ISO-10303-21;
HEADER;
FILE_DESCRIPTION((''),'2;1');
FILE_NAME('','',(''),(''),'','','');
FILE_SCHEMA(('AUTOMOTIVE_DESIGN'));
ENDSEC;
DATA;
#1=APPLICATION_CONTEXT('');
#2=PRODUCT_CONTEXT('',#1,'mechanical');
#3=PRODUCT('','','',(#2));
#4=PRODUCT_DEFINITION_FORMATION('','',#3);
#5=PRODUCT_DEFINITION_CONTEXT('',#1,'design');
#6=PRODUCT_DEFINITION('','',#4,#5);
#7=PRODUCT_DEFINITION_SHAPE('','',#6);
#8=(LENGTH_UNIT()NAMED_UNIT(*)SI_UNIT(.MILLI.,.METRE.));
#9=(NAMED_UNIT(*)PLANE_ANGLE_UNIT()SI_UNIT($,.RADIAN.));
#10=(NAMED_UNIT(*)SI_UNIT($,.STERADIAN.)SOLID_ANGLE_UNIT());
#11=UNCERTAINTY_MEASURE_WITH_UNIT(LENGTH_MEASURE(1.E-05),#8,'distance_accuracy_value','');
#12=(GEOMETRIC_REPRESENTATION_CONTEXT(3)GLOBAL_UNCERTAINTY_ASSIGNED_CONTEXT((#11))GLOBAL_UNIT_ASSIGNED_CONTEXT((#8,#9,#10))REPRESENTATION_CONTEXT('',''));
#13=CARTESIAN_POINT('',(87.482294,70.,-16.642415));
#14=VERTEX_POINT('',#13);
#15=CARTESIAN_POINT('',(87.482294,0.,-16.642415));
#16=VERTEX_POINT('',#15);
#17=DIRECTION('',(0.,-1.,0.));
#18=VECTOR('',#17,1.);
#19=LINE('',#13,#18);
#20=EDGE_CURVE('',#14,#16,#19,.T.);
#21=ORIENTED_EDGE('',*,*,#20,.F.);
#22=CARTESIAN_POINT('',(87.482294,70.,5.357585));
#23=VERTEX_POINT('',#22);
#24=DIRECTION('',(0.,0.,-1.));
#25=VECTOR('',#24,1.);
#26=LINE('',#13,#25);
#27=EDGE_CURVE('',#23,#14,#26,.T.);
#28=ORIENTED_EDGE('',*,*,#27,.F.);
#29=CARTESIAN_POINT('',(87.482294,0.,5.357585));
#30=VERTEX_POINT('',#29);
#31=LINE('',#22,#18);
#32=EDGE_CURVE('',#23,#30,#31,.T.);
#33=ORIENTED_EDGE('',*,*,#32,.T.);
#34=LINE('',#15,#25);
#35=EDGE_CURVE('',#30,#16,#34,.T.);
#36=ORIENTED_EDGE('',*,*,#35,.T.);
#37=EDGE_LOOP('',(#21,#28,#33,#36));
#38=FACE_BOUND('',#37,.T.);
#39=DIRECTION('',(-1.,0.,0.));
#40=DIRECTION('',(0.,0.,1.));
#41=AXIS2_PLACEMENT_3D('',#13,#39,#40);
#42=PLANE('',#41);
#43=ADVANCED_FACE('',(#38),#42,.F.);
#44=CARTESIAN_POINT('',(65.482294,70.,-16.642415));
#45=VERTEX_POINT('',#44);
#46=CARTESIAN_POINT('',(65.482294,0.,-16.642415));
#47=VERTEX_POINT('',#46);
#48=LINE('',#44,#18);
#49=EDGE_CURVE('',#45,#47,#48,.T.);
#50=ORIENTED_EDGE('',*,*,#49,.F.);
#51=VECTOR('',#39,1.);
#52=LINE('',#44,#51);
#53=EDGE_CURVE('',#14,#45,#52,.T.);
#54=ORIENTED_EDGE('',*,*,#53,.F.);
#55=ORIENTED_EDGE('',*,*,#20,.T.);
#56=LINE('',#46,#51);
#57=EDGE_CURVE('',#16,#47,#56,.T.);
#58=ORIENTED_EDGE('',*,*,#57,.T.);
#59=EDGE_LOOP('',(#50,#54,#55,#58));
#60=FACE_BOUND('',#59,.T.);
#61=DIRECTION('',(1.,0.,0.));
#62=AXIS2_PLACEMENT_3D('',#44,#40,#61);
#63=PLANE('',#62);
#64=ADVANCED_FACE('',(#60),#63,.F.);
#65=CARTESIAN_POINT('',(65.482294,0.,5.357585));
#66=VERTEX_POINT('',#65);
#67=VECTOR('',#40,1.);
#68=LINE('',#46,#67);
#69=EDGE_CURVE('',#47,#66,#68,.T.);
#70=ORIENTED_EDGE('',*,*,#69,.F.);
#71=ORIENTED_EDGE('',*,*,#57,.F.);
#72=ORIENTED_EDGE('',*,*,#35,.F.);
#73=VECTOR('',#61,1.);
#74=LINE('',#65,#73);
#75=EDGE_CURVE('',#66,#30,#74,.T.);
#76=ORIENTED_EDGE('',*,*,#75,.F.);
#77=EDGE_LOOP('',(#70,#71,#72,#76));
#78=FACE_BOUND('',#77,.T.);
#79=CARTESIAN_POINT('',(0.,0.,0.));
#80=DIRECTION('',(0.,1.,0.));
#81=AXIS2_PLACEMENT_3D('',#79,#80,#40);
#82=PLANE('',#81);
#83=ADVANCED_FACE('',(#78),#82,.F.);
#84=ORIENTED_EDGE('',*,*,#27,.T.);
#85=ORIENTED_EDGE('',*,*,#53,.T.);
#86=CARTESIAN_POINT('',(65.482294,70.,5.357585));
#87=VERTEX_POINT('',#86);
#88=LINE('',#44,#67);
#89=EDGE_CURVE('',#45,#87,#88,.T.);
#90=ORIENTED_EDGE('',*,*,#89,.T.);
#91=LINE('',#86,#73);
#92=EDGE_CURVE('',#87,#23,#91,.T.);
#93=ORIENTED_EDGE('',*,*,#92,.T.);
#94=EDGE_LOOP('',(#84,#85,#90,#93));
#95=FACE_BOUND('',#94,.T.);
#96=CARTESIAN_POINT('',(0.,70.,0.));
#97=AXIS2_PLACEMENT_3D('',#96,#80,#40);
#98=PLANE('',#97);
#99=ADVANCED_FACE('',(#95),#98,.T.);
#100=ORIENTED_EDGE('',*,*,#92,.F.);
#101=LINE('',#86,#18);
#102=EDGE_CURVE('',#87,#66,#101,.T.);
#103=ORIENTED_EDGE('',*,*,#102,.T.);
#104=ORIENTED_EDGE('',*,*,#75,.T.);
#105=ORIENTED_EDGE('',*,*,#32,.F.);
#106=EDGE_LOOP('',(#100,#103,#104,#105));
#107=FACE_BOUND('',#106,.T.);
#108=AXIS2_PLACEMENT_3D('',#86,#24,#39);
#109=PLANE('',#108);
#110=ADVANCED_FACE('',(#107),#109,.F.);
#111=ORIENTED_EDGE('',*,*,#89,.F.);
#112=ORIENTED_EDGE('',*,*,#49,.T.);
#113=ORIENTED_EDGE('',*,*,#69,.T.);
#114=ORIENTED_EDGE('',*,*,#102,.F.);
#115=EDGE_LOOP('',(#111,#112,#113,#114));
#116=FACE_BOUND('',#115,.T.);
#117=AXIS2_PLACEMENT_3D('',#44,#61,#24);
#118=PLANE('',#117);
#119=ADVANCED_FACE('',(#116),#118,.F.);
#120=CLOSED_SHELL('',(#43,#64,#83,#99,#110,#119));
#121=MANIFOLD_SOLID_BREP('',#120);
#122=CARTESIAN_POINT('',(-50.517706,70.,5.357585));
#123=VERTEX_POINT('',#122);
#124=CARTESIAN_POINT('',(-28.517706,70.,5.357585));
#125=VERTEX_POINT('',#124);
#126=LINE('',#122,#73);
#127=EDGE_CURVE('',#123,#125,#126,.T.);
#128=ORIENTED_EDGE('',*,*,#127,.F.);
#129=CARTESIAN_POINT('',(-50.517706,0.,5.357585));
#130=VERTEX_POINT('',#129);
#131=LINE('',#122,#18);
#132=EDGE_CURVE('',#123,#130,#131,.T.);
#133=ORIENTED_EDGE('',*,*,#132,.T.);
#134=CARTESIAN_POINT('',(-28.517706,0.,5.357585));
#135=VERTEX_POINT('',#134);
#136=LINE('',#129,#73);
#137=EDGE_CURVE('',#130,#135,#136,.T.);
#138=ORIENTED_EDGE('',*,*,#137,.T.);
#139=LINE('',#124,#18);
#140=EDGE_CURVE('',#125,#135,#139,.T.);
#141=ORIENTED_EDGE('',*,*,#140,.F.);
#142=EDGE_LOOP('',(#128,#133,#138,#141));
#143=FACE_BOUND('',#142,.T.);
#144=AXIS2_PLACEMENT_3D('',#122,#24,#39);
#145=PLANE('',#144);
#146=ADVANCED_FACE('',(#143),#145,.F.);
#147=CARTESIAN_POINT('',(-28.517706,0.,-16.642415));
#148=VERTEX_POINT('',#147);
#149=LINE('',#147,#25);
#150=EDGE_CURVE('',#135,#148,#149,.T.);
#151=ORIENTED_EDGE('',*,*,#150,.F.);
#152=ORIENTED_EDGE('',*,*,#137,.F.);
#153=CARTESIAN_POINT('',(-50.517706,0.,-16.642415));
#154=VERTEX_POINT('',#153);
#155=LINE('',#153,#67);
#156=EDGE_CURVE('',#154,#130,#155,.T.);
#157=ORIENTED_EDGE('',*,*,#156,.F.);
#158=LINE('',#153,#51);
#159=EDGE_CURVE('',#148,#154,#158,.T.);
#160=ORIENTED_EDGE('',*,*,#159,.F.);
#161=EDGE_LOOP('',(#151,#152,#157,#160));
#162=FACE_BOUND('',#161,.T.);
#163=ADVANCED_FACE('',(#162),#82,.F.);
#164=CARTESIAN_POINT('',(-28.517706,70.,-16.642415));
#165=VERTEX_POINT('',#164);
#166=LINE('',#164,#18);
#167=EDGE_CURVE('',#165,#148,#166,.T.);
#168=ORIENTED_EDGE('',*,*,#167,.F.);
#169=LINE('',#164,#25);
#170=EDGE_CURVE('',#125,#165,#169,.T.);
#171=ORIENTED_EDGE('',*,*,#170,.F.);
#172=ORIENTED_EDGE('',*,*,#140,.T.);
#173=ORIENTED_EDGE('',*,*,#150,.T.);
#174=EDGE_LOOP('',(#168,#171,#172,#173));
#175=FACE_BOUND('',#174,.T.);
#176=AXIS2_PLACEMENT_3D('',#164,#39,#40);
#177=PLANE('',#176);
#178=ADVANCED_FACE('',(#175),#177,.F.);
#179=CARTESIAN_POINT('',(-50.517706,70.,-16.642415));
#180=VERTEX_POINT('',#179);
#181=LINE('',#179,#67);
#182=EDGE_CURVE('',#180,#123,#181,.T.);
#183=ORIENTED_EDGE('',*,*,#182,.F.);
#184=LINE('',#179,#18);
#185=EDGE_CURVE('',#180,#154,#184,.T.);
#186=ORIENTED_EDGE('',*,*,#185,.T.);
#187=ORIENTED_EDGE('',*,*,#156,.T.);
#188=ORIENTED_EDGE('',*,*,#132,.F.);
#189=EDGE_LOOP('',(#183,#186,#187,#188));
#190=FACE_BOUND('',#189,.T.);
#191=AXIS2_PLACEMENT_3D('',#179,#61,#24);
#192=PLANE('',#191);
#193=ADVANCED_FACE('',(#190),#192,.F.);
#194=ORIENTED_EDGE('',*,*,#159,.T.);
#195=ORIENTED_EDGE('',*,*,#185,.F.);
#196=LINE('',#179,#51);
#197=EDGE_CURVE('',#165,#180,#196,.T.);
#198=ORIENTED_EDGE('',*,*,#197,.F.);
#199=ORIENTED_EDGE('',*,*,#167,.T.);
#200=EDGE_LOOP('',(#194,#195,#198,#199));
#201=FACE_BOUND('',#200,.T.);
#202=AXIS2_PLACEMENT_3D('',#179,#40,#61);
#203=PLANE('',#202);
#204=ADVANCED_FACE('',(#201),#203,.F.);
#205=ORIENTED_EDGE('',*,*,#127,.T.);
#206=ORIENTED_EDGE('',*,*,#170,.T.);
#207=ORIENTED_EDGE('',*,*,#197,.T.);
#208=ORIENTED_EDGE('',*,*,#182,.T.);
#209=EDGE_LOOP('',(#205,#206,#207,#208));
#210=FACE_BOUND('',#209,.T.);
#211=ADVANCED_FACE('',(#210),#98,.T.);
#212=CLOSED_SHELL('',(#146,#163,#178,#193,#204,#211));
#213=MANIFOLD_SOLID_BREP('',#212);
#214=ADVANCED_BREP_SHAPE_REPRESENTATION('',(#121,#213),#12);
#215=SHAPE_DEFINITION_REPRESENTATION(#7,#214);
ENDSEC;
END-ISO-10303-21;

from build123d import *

# Parameters (mm, degrees)
ESQUISSE1_W          = 22
ESQUISSE1_H          = 22
BOSS_EXTRU_1_DEPTH   = 70
BOSS_EXTRU_1_2_DEPTH = 70


with BuildPart() as part:
    # Esquisse1 → Boss.-Extru.1 (new body)
    with BuildSketch(Plane(origin=(0, 0, 0), x_dir=(1, 0, 0), z_dir=(0, 1, 0))):
        with Locations((-39.517705782, 5.642414842)):
            Rectangle(ESQUISSE1_W, ESQUISSE1_H)
    extrude(amount=BOSS_EXTRU_1_DEPTH)


with BuildPart() as body_2:
    # Esquisse1 → Boss.-Extru.1 2 (new body)
    with BuildSketch(Plane(origin=(0, 0, 0), x_dir=(1, 0, 0), z_dir=(0, 1, 0))):
        with Locations((76.482294218, 5.642414842)):
            Rectangle(ESQUISSE1_W, ESQUISSE1_H)
    extrude(amount=BOSS_EXTRU_1_2_DEPTH)


solid = Compound([part.part, body_2.part])
